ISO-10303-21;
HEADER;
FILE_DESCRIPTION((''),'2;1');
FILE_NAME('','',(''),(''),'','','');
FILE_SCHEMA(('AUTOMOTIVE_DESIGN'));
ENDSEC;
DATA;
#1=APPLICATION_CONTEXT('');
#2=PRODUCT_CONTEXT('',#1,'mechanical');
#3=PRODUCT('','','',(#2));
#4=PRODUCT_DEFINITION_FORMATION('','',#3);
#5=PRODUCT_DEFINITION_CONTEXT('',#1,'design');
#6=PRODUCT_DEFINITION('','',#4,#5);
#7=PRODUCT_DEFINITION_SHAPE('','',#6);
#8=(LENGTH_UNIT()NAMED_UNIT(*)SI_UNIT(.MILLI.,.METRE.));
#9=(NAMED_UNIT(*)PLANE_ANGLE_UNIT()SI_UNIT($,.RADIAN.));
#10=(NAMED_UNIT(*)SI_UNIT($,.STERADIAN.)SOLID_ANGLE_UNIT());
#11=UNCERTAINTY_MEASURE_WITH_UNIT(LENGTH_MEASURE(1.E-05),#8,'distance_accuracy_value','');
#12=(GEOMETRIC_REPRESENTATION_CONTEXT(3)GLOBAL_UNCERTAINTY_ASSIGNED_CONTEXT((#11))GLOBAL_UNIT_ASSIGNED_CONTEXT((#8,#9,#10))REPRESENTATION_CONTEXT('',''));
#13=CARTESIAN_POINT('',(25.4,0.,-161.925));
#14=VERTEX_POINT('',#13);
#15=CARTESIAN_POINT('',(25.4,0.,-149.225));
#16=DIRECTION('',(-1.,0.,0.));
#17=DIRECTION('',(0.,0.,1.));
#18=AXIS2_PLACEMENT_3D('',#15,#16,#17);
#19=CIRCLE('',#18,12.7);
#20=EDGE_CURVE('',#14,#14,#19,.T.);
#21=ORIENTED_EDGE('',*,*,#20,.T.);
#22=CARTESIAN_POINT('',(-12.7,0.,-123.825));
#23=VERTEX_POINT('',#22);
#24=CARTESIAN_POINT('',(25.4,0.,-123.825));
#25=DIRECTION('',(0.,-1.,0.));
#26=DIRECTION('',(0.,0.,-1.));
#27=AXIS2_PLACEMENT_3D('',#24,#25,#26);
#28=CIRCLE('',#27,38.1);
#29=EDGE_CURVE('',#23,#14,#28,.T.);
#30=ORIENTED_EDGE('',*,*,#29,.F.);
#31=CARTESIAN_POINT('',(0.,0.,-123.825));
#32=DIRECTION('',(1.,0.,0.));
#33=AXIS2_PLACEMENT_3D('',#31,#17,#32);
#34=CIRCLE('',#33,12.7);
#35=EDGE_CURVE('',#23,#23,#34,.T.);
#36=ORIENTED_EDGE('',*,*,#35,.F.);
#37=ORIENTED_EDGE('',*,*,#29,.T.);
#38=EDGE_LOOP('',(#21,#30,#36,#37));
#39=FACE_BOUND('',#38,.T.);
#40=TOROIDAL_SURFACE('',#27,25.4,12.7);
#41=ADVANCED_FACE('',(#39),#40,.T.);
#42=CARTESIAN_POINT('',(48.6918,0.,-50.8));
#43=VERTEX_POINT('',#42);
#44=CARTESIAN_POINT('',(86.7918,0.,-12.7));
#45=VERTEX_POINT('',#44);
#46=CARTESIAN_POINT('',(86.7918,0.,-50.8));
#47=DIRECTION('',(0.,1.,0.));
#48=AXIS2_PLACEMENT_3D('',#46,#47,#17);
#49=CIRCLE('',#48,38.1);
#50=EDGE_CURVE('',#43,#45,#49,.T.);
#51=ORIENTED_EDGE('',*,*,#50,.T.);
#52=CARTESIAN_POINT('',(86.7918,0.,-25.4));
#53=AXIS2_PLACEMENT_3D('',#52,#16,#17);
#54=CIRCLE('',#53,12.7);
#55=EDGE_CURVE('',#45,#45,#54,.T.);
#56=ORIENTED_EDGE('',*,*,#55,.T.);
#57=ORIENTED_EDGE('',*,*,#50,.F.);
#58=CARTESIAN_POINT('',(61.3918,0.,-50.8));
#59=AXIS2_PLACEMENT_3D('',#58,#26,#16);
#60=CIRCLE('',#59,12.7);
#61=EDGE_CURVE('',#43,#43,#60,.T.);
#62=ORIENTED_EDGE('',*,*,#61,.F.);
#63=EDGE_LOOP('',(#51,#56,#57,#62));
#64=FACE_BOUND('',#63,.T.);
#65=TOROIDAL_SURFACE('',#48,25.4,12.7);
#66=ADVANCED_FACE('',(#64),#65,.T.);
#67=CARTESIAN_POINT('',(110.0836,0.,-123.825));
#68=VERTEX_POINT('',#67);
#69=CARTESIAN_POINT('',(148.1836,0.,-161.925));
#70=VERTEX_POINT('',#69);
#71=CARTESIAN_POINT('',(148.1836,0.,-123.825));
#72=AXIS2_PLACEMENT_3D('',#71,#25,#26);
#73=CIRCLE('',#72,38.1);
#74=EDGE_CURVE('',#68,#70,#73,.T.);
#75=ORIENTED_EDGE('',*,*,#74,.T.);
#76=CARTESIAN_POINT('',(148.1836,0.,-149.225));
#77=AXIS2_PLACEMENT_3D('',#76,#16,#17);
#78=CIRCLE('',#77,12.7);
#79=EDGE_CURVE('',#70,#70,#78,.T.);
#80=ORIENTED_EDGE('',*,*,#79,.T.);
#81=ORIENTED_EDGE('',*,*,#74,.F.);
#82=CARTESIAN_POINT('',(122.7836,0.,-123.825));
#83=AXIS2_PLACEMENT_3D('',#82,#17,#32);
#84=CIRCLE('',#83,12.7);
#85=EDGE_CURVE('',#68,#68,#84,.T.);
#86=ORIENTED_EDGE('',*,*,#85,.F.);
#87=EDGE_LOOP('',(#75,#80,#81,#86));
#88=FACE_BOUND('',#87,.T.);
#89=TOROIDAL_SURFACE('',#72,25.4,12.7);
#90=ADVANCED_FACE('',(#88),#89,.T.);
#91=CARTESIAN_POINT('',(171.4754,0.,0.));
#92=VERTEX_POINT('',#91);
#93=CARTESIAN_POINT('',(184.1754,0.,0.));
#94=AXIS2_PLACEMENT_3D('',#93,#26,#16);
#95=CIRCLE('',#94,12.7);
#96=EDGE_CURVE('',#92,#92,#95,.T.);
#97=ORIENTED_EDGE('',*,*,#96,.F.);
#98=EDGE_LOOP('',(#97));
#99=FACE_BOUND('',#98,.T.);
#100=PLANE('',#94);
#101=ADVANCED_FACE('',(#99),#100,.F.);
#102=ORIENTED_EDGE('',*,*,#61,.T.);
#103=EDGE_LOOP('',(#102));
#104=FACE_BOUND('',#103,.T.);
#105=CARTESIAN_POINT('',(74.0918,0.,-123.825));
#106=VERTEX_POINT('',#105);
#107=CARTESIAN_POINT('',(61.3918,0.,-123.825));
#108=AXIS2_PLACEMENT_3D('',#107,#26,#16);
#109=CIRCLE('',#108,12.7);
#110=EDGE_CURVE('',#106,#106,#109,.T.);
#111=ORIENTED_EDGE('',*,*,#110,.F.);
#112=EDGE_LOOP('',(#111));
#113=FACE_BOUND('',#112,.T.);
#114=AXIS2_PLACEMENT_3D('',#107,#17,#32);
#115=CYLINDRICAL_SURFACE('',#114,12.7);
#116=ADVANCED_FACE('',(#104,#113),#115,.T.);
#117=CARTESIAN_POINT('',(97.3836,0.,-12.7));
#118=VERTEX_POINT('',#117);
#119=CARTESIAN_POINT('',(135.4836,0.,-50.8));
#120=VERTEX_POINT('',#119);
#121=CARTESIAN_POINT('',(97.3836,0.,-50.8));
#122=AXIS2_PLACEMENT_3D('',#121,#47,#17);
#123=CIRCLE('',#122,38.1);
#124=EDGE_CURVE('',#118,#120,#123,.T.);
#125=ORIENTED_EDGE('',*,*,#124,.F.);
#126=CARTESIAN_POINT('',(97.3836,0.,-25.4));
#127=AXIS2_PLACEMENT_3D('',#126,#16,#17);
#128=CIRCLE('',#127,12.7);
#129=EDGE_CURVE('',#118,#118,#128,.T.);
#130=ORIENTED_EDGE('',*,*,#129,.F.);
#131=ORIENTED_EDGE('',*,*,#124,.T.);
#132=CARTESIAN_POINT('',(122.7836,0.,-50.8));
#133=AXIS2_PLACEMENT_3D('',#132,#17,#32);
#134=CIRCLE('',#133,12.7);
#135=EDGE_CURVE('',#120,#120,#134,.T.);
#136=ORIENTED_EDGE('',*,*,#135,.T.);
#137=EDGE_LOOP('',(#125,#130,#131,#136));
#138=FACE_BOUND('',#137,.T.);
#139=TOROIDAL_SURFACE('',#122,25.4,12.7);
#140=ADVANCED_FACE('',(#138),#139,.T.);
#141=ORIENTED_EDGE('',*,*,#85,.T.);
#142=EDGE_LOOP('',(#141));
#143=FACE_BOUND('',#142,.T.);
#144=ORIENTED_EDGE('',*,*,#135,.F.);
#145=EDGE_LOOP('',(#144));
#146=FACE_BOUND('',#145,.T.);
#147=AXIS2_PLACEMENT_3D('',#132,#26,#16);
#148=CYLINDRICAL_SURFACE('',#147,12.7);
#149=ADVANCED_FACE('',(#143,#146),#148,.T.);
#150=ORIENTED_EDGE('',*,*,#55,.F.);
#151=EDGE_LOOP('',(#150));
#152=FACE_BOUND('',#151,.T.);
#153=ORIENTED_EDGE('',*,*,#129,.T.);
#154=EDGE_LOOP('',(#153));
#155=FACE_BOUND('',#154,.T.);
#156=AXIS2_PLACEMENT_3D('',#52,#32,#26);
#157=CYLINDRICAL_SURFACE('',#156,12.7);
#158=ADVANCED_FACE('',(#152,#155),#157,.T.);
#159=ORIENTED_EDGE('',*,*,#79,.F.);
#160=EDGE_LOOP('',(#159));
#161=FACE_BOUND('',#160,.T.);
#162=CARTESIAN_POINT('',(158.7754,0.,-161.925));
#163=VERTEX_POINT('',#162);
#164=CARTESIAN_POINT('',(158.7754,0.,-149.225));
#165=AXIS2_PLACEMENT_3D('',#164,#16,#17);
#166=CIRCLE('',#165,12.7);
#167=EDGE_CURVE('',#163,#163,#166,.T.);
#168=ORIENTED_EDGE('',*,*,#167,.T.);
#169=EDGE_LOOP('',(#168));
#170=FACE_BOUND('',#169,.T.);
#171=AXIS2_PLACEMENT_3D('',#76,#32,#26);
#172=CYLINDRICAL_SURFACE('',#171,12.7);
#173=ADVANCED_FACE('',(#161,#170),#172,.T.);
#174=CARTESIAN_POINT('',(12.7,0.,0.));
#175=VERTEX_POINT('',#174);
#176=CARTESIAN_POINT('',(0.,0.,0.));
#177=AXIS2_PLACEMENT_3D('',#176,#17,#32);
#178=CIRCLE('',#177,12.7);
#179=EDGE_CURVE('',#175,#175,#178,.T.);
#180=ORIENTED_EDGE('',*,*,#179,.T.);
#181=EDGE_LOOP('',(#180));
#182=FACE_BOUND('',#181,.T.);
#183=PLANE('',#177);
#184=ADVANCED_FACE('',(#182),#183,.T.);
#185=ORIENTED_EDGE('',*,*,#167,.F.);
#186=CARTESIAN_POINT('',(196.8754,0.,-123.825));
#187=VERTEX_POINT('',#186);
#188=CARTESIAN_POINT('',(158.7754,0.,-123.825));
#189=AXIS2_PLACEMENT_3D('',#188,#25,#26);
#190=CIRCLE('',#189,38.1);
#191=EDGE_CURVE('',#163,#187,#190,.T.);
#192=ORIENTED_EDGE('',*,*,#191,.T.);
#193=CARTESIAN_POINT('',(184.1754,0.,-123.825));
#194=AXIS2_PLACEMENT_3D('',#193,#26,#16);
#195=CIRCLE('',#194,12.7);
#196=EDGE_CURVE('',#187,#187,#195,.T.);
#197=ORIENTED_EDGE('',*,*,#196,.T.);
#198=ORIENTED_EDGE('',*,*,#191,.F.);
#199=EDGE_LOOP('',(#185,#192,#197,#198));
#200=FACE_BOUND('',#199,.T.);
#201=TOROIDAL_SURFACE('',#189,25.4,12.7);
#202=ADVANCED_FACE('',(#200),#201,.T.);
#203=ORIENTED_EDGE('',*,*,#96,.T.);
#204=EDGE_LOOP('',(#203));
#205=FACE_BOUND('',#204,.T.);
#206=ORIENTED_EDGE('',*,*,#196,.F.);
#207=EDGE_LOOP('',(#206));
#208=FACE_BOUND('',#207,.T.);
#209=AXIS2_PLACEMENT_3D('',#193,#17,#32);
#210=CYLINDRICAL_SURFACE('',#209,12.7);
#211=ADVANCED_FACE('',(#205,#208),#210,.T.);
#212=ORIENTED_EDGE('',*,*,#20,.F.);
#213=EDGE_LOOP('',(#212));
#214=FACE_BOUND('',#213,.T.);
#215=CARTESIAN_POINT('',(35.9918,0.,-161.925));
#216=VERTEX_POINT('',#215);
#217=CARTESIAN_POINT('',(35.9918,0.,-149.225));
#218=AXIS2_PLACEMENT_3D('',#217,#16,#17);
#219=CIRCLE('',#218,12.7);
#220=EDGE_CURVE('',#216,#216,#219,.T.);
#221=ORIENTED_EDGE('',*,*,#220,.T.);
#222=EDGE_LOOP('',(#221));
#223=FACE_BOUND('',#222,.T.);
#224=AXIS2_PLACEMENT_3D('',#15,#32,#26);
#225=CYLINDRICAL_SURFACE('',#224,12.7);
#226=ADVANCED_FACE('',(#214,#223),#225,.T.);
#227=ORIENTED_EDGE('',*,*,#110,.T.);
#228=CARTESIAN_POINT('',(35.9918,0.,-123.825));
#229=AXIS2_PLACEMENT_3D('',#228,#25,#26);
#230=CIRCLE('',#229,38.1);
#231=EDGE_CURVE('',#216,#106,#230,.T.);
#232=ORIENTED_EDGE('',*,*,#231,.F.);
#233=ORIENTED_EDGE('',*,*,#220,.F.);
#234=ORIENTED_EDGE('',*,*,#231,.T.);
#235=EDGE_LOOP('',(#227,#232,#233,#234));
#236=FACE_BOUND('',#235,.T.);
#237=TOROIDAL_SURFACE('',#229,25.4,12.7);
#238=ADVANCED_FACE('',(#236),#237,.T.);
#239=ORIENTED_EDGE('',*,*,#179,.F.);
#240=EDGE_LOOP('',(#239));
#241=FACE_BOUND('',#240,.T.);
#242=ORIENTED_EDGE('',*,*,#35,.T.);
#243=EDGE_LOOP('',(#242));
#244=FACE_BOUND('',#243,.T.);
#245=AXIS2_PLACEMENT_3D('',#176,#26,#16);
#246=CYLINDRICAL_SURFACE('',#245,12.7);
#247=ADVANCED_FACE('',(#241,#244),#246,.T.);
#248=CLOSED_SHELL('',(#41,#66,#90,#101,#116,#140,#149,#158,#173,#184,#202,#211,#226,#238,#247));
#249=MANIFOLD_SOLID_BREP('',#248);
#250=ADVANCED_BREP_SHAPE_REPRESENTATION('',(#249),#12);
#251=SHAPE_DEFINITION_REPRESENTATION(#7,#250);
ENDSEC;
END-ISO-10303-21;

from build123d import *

# Parameters (mm, degrees)
SWEEP1_PROFILE_R = 12.7


with BuildPart() as part:
    # Sweep1: sweep along a path in Sketch1
    with BuildLine(Plane(origin=(0, 0, 0), x_dir=(1, 0, 0), z_dir=(0, 1, 0))) as sweep1_path:
        Line((0, 0), (0, 123.825))
        ThreePointArc((0, 123.825), (7.439487758, 141.785512242), (25.4, 149.225))
        Line((25.4, 149.225), (35.9918, 149.225))
        ThreePointArc((35.9918, 149.225), (53.952312242, 141.785512242), (61.3918, 123.825))
        Line((61.3918, 123.825), (61.3918, 50.8))
        ThreePointArc((61.3918, 50.8), (68.831287758, 32.839487758), (86.7918, 25.4))
        Line((86.7918, 25.4), (97.3836, 25.4))
        ThreePointArc((97.3836, 25.4), (115.344112242, 32.839487758), (122.7836, 50.8))
        Line((122.7836, 50.8), (122.7836, 123.825))
        ThreePointArc((122.7836, 123.825), (130.223087758, 141.785512242), (148.1836, 149.225))
        Line((148.1836, 149.225), (158.7754, 149.225))
        ThreePointArc((158.7754, 149.225), (176.735912242, 141.785512242), (184.1754, 123.825))
        Line((184.1754, 123.825), (184.1754, 0))
    # Sweep1 profile (on start of the path) → Sweep1 (sweep)
    with BuildSketch(Plane(origin=(0, 0, 0), x_dir=(-1, 0, 0), z_dir=(0, 0, -1))):
        Circle(SWEEP1_PROFILE_R)
    sweep(path=sweep1_path.line)


solid = part.part
